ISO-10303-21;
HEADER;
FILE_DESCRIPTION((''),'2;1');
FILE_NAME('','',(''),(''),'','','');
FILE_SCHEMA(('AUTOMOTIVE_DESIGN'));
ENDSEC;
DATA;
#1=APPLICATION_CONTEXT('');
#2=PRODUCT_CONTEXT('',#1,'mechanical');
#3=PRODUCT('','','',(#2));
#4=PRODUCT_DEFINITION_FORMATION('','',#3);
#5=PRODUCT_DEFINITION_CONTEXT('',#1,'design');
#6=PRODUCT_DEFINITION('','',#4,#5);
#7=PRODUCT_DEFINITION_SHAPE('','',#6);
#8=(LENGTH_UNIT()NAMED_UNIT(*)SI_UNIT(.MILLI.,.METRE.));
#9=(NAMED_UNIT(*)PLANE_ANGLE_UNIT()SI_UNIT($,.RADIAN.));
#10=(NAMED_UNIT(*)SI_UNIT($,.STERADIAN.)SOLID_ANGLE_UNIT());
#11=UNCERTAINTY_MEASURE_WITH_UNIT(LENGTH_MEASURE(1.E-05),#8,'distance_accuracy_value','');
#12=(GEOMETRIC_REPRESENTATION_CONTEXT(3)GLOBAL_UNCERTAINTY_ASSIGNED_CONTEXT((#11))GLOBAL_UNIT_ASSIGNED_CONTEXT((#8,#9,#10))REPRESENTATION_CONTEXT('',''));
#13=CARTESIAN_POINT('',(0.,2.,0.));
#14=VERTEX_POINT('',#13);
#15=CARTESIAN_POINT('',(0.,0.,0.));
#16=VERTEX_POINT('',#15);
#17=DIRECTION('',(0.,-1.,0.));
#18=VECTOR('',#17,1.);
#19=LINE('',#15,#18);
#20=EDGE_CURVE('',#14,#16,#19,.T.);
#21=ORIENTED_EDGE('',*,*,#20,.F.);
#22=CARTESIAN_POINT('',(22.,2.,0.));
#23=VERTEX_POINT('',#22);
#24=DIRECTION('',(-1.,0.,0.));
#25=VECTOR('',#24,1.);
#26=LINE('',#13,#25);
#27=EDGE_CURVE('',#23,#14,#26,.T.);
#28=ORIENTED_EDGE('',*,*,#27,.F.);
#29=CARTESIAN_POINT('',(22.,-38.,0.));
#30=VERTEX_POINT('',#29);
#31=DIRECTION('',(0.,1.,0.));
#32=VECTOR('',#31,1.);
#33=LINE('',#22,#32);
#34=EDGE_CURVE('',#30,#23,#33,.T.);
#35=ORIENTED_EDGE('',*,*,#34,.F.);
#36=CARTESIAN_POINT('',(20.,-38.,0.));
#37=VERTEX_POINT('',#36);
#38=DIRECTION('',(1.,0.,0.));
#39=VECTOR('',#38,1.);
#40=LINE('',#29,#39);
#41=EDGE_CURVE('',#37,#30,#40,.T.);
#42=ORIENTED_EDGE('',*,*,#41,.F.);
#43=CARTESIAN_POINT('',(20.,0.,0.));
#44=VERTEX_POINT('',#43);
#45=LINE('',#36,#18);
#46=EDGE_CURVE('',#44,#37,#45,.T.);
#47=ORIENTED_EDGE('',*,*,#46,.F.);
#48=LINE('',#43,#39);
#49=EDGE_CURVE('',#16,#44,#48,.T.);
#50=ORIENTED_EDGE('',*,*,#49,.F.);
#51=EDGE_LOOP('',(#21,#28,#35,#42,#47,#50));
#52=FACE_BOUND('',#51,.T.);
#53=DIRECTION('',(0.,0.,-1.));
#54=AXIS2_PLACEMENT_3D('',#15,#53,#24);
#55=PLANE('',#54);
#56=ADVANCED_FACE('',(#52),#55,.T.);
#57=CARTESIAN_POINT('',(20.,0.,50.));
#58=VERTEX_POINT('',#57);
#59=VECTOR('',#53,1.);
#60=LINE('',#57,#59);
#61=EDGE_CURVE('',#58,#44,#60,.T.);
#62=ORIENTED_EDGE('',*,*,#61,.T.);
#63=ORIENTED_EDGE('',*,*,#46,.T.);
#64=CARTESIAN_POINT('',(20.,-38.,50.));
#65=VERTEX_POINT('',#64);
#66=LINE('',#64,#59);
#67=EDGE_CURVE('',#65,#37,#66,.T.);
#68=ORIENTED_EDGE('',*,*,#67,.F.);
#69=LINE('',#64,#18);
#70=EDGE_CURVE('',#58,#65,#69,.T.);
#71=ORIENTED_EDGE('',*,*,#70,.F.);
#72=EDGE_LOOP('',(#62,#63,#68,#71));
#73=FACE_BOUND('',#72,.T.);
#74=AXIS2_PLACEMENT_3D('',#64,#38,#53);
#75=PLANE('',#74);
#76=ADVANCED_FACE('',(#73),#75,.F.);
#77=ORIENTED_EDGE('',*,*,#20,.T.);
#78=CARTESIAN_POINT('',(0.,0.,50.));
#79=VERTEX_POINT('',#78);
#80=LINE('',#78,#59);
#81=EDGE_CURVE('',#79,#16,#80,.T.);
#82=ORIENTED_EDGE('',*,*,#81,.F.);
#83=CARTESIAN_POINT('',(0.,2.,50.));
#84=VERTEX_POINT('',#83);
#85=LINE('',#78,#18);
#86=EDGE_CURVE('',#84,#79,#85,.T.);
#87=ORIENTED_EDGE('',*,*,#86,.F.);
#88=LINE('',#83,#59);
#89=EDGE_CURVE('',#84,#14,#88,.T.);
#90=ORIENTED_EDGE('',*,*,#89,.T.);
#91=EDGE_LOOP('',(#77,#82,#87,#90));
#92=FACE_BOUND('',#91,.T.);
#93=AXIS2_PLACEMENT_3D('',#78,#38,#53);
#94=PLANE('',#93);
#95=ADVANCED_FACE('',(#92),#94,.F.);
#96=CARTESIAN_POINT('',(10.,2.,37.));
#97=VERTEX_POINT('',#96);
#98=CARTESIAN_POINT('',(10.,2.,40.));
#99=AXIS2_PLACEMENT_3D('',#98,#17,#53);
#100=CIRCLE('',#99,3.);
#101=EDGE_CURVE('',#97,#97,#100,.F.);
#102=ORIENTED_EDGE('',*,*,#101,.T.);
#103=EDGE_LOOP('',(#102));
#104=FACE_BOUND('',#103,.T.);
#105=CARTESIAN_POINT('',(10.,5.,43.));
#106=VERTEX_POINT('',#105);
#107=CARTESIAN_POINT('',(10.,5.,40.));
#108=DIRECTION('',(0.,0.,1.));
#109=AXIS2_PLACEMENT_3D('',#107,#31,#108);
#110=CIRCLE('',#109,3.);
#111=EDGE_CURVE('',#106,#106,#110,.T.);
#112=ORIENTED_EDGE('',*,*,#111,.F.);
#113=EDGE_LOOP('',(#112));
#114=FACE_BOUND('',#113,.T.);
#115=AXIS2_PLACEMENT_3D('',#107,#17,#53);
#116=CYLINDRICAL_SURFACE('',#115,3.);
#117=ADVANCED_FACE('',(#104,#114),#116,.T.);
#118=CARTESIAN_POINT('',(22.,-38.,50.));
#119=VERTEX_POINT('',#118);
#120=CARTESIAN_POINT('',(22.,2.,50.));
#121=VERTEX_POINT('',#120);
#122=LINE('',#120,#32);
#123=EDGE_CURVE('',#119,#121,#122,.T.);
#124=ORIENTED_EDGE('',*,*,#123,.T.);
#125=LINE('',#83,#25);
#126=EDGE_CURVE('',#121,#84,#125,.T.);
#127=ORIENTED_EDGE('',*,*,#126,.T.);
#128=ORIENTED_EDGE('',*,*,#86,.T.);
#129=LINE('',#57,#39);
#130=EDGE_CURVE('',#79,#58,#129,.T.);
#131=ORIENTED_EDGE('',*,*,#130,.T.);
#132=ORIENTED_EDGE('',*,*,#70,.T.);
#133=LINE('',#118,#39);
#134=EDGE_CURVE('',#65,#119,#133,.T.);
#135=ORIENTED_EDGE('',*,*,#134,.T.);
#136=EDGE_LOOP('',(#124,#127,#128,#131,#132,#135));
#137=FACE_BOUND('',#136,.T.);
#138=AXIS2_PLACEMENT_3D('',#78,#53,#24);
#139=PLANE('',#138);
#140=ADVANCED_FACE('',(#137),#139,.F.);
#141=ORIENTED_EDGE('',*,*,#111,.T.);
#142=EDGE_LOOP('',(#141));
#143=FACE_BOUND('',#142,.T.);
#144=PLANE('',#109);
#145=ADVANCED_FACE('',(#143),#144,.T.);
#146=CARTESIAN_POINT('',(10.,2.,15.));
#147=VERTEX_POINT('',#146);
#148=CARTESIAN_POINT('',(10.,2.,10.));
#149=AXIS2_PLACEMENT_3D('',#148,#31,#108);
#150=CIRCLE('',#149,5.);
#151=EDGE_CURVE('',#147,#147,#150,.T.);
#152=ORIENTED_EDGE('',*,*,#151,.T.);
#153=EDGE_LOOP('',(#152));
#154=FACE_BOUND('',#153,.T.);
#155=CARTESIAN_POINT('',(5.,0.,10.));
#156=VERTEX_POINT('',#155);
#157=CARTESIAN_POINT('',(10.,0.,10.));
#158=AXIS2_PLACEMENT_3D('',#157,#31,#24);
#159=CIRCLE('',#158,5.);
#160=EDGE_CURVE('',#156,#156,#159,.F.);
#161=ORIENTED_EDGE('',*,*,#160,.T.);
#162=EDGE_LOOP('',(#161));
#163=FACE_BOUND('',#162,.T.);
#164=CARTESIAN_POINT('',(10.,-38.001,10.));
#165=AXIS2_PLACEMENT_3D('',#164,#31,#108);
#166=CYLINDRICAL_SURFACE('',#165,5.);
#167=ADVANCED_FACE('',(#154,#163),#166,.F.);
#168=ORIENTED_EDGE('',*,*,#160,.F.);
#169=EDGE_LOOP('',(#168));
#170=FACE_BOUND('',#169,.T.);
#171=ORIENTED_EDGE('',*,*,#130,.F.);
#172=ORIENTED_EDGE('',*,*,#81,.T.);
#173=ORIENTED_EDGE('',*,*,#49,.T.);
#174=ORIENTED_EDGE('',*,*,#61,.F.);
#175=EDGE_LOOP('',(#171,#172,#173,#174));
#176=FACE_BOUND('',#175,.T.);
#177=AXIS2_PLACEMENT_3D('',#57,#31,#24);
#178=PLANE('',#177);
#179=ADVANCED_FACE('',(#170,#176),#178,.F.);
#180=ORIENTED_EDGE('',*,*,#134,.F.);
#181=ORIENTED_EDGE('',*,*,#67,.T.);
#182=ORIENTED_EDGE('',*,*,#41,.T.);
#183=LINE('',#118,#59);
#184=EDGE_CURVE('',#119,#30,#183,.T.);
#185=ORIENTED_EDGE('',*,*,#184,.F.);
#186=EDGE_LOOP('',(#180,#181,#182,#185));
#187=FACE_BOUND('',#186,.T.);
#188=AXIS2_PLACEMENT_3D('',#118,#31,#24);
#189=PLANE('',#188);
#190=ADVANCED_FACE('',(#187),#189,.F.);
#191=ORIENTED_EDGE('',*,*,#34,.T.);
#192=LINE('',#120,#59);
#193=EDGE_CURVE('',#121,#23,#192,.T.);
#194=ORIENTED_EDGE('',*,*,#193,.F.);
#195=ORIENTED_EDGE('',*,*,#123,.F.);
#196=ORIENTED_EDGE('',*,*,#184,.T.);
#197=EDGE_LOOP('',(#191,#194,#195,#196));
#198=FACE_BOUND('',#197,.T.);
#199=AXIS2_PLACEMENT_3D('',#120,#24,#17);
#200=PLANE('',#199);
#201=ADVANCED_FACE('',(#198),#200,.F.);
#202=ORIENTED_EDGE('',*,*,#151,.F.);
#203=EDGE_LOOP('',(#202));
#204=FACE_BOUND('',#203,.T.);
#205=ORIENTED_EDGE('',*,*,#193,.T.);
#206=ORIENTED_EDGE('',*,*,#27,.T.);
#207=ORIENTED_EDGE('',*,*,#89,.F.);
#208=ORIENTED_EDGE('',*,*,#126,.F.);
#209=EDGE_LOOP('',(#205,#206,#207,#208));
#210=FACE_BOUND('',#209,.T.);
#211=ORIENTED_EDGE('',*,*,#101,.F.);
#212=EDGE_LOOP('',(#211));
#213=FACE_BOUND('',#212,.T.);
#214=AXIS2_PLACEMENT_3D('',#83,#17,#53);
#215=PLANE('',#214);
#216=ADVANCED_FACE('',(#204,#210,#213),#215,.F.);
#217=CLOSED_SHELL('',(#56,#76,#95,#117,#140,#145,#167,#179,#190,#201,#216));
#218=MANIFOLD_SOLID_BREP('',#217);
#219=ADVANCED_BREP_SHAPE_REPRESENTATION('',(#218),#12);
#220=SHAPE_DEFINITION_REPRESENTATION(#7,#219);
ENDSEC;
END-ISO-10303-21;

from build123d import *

# Parameters (mm, degrees)
SALIENTE_EXTRUIR1_DEPTH = 50
CORTAR_EXTRUIR1_REACH   = 69.705
CROQUIS2_R              = 5
CROQUIS3_R              = 3
SALIENTE_EXTRUIR2_DEPTH = 3


with BuildPart() as part:
    # Croquis1 → Saliente-Extruir1 (new body)
    with BuildSketch(Plane.XY):
        Polygon((0, 0), (0, 2), (22, 2), (22, -38), (20, -38), (20, 0), align=None)
    extrude(amount=SALIENTE_EXTRUIR1_DEPTH)

    # Croquis2 → Cortar-Extruir1 (cut, up to next)
    with BuildSketch(Plane(origin=(0, 2, 0), x_dir=(1, 0, 0), z_dir=(0, 1, 0)), mode=Mode.PRIVATE) as cortar_extruir1_sk1:
        with Locations(Location((10, -10, 0), (0, 0, 270))):
            Circle(CROQUIS2_R)
    cortar_extruir1_tool1 = extrude(cortar_extruir1_sk1.sketch, amount=-CORTAR_EXTRUIR1_REACH, mode=Mode.PRIVATE) & part.part
    add(cortar_extruir1_tool1.solids().sort_by_distance((10, 2, 10))[0], mode=Mode.SUBTRACT)

    # Croquis3 → Saliente-Extruir2 (add)
    with BuildSketch(Plane(origin=(0, 2, 0), x_dir=(1, 0, 0), z_dir=(0, 1, 0))):
        with Locations(Location((10, -40, 0), (0, 0, 90))):
            Circle(CROQUIS3_R)
    extrude(amount=SALIENTE_EXTRUIR2_DEPTH)


solid = part.part
